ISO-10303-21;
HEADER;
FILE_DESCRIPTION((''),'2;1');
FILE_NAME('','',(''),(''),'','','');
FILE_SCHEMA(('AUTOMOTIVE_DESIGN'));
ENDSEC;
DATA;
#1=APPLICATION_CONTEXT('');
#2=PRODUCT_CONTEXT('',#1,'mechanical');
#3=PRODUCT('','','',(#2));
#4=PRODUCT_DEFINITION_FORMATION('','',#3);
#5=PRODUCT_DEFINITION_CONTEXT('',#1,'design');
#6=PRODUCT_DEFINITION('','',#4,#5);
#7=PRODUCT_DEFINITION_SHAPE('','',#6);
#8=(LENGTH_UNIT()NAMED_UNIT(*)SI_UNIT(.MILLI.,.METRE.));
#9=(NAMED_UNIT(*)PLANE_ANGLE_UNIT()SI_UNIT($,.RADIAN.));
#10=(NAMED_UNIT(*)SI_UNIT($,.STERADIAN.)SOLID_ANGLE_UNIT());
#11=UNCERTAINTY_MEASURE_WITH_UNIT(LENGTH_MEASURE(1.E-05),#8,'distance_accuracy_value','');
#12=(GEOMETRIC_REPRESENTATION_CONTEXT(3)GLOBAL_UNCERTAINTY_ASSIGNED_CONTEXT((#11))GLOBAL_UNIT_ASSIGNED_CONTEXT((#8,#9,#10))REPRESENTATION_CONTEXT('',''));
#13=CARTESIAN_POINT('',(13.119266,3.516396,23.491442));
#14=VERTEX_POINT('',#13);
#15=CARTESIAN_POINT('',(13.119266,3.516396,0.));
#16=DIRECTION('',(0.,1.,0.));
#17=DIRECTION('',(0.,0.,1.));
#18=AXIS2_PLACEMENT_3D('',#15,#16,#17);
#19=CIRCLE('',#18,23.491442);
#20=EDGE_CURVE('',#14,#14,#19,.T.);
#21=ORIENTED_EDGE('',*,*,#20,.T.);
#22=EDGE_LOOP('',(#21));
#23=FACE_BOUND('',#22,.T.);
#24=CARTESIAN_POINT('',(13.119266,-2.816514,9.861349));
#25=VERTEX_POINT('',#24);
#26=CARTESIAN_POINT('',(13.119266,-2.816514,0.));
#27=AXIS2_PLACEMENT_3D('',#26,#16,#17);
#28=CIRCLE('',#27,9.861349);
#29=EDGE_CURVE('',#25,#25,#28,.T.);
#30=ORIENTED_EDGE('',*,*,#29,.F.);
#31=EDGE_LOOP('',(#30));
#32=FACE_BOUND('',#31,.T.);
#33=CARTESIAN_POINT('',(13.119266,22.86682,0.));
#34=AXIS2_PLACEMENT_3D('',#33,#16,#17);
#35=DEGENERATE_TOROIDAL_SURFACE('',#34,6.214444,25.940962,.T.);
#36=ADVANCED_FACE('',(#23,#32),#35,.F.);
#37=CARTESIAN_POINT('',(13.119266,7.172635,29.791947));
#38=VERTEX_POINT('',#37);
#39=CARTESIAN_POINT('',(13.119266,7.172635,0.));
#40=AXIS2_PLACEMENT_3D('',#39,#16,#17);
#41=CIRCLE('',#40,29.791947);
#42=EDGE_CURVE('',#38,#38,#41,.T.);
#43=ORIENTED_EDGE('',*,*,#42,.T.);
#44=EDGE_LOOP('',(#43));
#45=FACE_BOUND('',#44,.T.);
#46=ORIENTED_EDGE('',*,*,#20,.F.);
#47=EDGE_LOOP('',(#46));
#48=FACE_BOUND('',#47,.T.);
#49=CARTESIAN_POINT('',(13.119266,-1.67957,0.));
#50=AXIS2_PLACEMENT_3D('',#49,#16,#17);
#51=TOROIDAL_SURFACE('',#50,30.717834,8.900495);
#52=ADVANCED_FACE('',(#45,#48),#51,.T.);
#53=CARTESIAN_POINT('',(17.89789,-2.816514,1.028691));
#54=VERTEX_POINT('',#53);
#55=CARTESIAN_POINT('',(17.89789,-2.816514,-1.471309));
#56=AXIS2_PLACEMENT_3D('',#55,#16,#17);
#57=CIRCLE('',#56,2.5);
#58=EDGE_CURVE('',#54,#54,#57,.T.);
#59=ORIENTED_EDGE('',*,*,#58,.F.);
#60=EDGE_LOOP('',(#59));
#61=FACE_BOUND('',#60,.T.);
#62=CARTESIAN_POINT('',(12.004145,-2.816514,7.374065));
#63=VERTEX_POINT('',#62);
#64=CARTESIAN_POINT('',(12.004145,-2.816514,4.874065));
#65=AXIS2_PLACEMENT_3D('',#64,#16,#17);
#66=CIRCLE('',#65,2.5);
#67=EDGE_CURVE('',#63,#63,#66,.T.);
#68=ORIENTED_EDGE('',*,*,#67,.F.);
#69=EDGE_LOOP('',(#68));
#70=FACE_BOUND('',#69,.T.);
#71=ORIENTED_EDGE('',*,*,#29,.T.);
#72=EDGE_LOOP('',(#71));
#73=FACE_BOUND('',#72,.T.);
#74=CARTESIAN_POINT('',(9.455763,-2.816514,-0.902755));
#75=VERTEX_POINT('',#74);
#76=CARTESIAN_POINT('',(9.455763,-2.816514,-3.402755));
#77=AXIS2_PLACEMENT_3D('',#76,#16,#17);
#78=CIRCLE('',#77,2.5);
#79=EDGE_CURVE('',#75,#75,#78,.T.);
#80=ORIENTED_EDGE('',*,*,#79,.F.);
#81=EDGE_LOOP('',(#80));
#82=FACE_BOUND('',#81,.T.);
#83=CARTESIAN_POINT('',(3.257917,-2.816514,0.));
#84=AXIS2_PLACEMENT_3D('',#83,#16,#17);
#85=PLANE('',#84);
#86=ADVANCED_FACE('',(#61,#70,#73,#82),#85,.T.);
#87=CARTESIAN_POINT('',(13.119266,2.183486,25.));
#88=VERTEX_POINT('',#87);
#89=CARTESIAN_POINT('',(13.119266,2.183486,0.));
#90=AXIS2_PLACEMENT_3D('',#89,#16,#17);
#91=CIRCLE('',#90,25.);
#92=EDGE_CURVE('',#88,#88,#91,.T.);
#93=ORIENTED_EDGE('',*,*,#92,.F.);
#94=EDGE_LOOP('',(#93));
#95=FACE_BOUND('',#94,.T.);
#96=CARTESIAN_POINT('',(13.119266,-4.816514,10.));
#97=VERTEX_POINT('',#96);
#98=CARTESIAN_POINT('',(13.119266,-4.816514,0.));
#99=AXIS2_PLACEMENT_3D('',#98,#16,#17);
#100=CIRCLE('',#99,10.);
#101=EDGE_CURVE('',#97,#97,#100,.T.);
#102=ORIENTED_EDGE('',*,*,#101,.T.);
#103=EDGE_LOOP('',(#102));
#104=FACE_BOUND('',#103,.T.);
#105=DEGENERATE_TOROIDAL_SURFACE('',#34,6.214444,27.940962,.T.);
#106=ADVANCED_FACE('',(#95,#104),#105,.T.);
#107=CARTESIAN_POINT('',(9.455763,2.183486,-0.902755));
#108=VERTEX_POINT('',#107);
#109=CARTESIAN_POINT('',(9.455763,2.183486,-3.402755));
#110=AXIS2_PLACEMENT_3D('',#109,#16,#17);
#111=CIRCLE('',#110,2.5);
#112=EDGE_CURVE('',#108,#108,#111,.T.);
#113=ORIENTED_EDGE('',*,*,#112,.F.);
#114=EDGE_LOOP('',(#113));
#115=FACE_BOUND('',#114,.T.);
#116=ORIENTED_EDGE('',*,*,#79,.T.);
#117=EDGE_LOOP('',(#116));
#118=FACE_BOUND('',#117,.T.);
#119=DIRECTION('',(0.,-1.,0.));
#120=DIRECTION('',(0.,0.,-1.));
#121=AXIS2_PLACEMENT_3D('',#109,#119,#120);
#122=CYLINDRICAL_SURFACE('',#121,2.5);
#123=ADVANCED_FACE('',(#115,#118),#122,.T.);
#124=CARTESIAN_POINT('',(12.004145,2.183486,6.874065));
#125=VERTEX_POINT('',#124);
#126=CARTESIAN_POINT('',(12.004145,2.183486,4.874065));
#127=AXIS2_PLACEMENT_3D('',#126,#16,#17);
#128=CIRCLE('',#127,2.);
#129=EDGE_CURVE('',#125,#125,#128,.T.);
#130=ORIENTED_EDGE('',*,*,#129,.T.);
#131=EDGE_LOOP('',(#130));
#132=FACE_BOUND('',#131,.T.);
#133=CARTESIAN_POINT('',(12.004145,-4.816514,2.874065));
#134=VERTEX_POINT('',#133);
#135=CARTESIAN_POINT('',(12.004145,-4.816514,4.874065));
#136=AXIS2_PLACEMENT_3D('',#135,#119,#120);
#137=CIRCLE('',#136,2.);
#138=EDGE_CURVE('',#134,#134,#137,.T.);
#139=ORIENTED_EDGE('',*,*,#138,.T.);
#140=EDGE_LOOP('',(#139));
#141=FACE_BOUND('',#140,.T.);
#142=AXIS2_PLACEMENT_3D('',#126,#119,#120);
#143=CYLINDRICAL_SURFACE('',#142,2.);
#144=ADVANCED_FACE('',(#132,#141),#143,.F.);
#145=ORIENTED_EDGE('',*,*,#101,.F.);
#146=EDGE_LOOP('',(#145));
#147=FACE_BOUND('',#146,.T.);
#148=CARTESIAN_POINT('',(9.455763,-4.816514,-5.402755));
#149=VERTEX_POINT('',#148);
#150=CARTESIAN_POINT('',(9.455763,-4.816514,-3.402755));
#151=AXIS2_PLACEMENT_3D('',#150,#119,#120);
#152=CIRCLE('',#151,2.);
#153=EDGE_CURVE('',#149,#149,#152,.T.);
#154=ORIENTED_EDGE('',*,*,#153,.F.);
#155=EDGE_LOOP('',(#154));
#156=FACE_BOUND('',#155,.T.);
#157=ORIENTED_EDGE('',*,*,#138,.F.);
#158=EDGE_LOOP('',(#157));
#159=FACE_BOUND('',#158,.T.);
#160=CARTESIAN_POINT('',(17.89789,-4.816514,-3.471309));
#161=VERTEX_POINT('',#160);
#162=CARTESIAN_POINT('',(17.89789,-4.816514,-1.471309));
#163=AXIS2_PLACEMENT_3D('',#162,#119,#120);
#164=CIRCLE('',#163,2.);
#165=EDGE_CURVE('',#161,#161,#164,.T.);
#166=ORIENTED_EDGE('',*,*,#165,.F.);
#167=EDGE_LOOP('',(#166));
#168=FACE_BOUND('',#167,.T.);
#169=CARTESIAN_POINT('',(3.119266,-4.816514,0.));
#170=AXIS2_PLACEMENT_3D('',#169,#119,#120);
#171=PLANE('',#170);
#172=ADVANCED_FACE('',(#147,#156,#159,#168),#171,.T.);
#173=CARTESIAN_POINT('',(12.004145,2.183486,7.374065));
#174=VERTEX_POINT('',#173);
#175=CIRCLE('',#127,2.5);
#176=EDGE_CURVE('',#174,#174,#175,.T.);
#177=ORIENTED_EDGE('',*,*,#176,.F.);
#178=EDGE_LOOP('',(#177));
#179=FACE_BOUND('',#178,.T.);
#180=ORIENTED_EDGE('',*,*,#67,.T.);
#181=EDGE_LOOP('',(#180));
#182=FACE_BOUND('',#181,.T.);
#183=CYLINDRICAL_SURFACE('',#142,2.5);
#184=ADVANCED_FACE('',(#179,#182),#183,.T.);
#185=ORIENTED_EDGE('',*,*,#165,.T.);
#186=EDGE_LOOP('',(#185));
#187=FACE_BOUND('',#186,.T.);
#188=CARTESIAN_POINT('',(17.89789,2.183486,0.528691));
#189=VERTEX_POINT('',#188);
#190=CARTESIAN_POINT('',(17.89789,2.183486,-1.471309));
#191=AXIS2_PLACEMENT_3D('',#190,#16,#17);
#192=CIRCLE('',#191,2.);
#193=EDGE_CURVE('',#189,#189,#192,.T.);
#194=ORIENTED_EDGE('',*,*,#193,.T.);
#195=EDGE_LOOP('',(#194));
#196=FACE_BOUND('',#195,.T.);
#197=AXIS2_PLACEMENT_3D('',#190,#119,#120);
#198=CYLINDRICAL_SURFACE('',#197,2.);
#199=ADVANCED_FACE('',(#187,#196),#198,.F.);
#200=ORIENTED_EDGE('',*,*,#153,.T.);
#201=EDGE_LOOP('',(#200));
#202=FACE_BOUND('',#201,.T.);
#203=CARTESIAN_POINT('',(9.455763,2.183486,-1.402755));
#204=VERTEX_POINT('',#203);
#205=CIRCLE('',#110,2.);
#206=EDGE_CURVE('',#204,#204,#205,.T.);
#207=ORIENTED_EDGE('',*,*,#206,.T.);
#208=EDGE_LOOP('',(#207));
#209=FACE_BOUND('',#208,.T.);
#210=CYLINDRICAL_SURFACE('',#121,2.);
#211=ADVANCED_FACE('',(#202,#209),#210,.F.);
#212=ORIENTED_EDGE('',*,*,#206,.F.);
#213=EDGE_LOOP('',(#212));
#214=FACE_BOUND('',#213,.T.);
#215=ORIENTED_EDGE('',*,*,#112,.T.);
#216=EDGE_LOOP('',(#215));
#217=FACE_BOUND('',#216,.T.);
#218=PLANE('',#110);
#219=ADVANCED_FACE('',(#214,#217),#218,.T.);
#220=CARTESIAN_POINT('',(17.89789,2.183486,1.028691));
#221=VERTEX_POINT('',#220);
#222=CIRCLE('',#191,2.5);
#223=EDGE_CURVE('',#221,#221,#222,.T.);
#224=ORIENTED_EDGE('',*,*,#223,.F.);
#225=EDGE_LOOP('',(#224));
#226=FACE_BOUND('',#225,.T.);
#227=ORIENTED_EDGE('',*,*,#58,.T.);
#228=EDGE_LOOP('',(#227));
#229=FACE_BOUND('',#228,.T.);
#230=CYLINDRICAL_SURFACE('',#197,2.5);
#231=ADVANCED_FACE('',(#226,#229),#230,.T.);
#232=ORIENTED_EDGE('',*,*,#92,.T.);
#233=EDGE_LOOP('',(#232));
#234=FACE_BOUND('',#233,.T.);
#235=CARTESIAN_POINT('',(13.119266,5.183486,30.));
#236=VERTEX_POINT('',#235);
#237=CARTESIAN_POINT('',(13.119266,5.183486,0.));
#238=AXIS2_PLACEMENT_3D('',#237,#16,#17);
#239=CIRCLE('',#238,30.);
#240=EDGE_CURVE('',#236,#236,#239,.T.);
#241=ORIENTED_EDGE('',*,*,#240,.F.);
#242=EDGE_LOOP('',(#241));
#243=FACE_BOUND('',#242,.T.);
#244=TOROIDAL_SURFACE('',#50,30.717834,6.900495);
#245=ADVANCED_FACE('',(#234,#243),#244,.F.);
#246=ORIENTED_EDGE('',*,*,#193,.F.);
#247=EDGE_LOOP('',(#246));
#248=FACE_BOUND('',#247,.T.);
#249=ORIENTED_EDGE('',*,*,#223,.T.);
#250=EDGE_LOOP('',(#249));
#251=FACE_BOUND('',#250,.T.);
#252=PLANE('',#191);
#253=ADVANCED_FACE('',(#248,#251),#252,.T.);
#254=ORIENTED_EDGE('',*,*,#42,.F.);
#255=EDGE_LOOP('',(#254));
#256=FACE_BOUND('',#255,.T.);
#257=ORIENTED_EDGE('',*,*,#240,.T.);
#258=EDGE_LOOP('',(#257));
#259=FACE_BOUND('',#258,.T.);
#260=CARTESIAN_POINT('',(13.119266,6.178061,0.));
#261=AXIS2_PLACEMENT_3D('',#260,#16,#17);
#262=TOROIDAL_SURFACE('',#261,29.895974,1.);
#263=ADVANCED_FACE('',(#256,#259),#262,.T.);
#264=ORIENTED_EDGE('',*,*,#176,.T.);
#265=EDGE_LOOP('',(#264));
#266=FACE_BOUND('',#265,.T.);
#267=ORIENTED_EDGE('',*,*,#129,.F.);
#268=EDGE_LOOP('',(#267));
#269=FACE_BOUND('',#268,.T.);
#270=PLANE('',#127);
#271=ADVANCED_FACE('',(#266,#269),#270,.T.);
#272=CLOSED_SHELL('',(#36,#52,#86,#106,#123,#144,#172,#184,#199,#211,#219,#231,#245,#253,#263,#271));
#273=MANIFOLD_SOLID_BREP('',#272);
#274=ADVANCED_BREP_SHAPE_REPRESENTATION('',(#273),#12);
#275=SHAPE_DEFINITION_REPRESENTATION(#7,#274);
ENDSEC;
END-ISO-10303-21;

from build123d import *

# Parameters (mm, degrees)
SKETCH2_R           = 2.5
SKETCH2_R_2         = 2
BOSS_EXTRUDE2_DEPTH = 5
CUT_EXTRUDE1_START  = -5
SKETCH3_R           = 2
CUT_EXTRUDE1_DEPTH  = 5


with BuildPart() as part:
    # Sketch1 → Revolve1 (revolve)
    with BuildSketch(Plane.XY, mode=Mode.PRIVATE) as revolve1_sk:
        with BuildLine():
            Line((3.119266055, -4.816513761), (13.119266055, -4.816513761))
            Line((13.119266055, -4.816513761), (13.119266055, -2.816513761))
            Line((13.119266055, -2.816513761), (3.257916771, -2.816513761))
            ThreePointArc((3.257916771, -2.816513761), (-4.025816821, -0.658797724), (-10.372175668, 3.516396035))
            ThreePointArc((-10.372175668, 3.516396035), (-13.131249362, 6.018603225), (-16.672681055, 7.172635302))
            ThreePointArc((-16.672681055, 7.172635302), (-17.771282031, 6.282087215), (-16.880733945, 5.183486239))
            ThreePointArc((-16.880733945, 5.183486239), (-14.048292509, 4.237555299), (-11.880733945, 2.183486239))
            ThreePointArc((-11.880733945, 2.183486239), (-4.911005239, -2.452809391), (3.119266055, -4.816513761))
        make_face()
    revolve(revolve1_sk.sketch.rotate(Axis((13.119266055, -2.816513761, 0), (0, -1, 0)), 270), axis=Axis((13.119266055, -2.816513761, 0), (0, -1, 0)))

    # Sketch2 → Boss-Extrude2 (add)
    # profile 1 of 3: a face of its own
    with BuildSketch(Plane(origin=(0, -2.816513761, 0), x_dir=(1, 0, 0), z_dir=(0, 1, 0))):
        with Locations(Location((9.455762685, 3.402755216, 0), (0, 0, 270))):
            Circle(SKETCH2_R)
        with Locations(Location((9.455762685, 3.402755216, 0), (0, 0, 270))):
            Circle(SKETCH2_R_2, mode=Mode.SUBTRACT)
    # profile 2 of 3: a face of its own
    with BuildSketch(Plane(origin=(0, -2.816513761, 0), x_dir=(1, 0, 0), z_dir=(0, 1, 0))):
        with Locations(Location((17.8978902, 1.471309377, 0), (0, 0, 270))):
            Circle(SKETCH2_R)
        with Locations(Location((17.8978902, 1.471309377, 0), (0, 0, 270))):
            Circle(SKETCH2_R_2, mode=Mode.SUBTRACT)
    # profile 3 of 3: a face of its own
    with BuildSketch(Plane(origin=(0, -2.816513761, 0), x_dir=(1, 0, 0), z_dir=(0, 1, 0))):
        with Locations(Location((12.00414528, -4.874064593, 0), (0, 0, 270))):
            Circle(SKETCH2_R)
        with Locations(Location((12.00414528, -4.874064593, 0), (0, 0, 270))):
            Circle(SKETCH2_R_2, mode=Mode.SUBTRACT)
    extrude(amount=BOSS_EXTRUDE2_DEPTH)

    # Sketch3 → Cut-Extrude1 (cut)
    with BuildSketch(Plane(origin=(0, -2.816513761, 0), x_dir=(1, 0, 0), z_dir=(0, 1, 0)).offset(CUT_EXTRUDE1_START)):
        with Locations(Location((17.8978902, 1.471309377, 0), (0, 0, 90))):
            Circle(SKETCH3_R)
        with Locations(Location((12.00414528, -4.874064593, 0), (0, 0, 90))):
            Circle(SKETCH3_R)
        with Locations(Location((9.455762685, 3.402755216, 0), (0, 0, 90))):
            Circle(SKETCH3_R)
    extrude(amount=CUT_EXTRUDE1_DEPTH, mode=Mode.SUBTRACT)


solid = part.part
